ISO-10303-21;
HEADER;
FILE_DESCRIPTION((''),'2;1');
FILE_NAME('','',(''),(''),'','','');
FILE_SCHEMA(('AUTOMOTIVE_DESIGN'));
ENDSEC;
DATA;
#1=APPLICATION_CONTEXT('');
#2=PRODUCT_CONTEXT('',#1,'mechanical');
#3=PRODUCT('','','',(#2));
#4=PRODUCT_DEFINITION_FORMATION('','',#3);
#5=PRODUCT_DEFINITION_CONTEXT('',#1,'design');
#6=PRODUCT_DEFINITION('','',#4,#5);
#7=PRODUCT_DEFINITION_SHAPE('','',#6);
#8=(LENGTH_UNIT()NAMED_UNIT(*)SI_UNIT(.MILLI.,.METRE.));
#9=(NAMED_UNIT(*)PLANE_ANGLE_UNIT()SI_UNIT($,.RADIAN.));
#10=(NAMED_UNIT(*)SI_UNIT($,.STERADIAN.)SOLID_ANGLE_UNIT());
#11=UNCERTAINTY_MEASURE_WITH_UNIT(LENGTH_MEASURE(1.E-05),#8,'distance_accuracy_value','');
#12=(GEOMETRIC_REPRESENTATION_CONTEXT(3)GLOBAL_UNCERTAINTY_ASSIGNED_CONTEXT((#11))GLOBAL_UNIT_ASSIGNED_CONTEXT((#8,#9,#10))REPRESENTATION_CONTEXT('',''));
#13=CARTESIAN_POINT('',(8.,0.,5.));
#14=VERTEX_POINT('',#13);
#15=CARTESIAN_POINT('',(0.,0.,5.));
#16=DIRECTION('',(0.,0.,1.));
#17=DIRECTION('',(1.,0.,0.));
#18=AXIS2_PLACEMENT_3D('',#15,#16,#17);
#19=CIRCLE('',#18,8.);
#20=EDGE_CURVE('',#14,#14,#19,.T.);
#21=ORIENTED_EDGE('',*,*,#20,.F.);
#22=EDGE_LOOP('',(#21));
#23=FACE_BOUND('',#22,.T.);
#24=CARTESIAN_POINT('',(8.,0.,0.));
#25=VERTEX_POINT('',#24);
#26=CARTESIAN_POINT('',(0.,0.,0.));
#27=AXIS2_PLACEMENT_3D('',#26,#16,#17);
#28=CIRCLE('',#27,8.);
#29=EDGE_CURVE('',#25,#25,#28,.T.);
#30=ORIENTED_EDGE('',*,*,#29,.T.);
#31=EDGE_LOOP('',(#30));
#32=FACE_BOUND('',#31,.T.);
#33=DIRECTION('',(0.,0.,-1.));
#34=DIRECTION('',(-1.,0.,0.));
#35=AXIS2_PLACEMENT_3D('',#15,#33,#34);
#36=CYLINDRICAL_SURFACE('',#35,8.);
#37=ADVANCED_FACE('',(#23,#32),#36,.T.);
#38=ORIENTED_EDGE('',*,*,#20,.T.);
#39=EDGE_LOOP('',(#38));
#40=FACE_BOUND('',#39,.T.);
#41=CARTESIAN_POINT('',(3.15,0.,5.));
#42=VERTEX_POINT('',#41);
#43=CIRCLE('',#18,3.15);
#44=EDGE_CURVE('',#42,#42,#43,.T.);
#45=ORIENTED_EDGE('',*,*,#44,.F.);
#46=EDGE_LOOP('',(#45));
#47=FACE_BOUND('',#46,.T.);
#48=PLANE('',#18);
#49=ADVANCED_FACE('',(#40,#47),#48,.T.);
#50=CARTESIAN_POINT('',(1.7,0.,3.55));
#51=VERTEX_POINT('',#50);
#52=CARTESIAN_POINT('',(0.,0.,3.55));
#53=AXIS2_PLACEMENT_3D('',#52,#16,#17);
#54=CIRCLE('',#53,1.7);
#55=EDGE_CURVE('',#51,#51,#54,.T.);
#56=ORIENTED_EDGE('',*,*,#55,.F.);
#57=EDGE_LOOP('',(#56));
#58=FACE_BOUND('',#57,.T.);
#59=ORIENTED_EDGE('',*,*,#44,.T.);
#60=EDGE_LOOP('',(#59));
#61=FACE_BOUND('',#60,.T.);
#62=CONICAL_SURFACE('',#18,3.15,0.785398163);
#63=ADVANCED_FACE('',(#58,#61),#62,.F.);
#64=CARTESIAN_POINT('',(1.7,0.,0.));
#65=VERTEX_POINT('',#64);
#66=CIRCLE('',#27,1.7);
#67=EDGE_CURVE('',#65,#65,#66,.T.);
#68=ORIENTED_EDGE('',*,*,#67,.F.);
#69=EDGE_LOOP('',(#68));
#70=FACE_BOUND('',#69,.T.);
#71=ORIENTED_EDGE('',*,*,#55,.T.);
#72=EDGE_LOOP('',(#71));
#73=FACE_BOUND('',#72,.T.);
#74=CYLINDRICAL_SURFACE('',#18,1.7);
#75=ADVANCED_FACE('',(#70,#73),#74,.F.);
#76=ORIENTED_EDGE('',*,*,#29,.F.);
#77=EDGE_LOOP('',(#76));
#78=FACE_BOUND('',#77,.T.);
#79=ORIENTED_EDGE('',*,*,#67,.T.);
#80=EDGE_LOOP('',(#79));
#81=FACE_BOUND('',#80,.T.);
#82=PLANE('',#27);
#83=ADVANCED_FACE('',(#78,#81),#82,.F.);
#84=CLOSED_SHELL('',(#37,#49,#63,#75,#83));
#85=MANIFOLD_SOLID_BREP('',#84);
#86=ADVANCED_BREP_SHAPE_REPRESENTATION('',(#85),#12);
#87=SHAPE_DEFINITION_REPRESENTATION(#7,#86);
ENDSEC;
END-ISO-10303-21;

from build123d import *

# Parameters (mm, degrees)
SKETCH_1_R                   = 8
EXTRUDE_1_DEPTH              = 5
HOLE_WIZARD_M3_2_D           = 3.4
HOLE_WIZARD_M3_2_CSINK_D     = 6.3
HOLE_WIZARD_M3_2_CSINK_ANGLE = 90


with BuildPart() as part:
    # ｽｹｯﾁ1 → ﾎﾞｽ - 押し出し1 (new body)
    with BuildSketch(Plane.XY):
        Circle(SKETCH_1_R)
    extrude(amount=EXTRUDE_1_DEPTH)

    # M3 丸皿ねじ用皿穴2 (through all)
    with Locations(Plane.XY.offset(5)):
        with Locations((0, 0)):
            CounterSinkHole(HOLE_WIZARD_M3_2_D / 2, HOLE_WIZARD_M3_2_CSINK_D / 2, counter_sink_angle=HOLE_WIZARD_M3_2_CSINK_ANGLE)


solid = part.part
